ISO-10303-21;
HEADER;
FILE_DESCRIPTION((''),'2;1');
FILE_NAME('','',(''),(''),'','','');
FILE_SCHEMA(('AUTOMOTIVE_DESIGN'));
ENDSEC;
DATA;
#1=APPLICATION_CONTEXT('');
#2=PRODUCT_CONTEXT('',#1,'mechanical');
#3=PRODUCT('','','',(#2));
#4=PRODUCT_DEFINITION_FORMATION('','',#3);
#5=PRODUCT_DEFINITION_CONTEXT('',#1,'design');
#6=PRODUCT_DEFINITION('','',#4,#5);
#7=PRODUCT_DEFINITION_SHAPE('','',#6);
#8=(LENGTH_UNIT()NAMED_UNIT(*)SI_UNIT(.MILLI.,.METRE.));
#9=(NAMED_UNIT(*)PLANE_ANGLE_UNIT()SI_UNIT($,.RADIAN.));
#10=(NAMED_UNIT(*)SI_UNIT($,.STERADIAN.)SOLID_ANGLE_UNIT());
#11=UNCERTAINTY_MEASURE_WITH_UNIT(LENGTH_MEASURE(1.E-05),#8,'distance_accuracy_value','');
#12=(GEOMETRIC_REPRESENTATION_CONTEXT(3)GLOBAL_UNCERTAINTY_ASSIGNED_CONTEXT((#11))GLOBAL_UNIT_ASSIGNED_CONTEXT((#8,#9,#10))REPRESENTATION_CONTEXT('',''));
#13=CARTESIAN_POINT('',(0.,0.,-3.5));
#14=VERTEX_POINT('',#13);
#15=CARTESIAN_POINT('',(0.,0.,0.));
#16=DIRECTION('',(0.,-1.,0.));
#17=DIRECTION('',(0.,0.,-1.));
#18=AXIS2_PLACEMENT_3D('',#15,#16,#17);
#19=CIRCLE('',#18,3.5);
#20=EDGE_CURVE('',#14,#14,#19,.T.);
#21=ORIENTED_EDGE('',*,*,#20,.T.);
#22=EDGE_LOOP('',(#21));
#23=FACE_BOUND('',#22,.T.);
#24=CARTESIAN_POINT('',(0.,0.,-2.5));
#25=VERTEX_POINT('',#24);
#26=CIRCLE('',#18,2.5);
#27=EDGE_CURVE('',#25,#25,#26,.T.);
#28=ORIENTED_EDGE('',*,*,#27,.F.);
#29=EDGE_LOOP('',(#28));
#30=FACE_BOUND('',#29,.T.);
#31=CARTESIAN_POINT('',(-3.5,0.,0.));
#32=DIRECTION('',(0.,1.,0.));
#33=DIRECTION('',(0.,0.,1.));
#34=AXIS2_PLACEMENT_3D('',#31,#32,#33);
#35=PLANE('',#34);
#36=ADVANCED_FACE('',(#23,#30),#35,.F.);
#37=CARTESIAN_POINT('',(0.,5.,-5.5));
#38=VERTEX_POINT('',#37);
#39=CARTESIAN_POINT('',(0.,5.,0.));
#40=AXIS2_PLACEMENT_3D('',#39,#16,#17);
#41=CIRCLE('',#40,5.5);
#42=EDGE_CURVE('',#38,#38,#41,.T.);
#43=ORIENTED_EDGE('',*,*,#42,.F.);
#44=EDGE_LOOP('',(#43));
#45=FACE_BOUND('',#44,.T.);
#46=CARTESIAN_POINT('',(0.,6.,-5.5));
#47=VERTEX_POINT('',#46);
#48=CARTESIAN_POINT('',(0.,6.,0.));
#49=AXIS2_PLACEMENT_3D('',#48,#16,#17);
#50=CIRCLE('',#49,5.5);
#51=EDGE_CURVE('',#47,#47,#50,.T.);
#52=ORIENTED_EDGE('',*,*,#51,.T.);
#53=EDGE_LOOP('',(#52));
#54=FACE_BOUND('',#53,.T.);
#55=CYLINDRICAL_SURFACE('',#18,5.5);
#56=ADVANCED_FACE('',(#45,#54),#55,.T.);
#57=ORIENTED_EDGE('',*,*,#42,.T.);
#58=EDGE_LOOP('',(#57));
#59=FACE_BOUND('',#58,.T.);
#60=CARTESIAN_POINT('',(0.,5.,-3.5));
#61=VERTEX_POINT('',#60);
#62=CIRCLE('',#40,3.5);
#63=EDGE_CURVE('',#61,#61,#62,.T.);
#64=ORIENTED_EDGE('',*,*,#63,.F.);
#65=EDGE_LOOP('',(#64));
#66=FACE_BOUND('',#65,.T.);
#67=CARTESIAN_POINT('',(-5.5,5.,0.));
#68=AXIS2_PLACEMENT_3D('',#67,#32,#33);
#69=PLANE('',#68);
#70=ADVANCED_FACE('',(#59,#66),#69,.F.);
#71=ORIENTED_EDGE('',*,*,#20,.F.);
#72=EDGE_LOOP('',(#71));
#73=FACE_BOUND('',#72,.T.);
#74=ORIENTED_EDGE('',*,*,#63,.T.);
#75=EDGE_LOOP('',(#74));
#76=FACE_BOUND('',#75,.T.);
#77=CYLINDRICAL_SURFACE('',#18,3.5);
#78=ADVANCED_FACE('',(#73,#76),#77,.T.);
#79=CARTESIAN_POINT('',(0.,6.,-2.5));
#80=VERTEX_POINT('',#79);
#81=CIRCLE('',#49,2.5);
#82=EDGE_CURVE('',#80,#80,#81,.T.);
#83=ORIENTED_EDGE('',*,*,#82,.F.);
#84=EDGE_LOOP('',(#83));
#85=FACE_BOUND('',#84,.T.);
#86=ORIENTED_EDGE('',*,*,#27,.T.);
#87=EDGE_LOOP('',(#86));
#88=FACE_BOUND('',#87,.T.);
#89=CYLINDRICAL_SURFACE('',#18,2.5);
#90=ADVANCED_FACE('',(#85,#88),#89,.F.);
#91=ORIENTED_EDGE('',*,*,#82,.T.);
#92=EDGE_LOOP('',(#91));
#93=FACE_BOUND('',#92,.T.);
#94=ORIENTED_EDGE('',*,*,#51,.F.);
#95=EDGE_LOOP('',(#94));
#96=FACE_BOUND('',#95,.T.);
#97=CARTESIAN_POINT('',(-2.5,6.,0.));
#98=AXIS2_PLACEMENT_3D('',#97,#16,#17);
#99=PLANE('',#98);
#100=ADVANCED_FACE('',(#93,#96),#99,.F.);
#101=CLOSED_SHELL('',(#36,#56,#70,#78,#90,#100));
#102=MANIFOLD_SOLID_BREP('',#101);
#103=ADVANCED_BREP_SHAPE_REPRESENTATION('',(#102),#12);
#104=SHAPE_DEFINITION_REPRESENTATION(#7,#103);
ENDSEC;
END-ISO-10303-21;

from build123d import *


with BuildPart() as part:
    # Sketch2 → Revolve1 (revolve)
    with BuildSketch(Plane.XY, mode=Mode.PRIVATE) as revolve1_sk:
        Polygon((-2.5, 0), (-2.5, 6), (-5.5, 6), (-5.5, 5), (-3.5, 5), (-3.5, 0), align=None)
    revolve(revolve1_sk.sketch.rotate(Axis((0, 0, 0), (0, 1, 0)), 270), axis=Axis((0, 0, 0), (0, 1, 0)))


solid = part.part
